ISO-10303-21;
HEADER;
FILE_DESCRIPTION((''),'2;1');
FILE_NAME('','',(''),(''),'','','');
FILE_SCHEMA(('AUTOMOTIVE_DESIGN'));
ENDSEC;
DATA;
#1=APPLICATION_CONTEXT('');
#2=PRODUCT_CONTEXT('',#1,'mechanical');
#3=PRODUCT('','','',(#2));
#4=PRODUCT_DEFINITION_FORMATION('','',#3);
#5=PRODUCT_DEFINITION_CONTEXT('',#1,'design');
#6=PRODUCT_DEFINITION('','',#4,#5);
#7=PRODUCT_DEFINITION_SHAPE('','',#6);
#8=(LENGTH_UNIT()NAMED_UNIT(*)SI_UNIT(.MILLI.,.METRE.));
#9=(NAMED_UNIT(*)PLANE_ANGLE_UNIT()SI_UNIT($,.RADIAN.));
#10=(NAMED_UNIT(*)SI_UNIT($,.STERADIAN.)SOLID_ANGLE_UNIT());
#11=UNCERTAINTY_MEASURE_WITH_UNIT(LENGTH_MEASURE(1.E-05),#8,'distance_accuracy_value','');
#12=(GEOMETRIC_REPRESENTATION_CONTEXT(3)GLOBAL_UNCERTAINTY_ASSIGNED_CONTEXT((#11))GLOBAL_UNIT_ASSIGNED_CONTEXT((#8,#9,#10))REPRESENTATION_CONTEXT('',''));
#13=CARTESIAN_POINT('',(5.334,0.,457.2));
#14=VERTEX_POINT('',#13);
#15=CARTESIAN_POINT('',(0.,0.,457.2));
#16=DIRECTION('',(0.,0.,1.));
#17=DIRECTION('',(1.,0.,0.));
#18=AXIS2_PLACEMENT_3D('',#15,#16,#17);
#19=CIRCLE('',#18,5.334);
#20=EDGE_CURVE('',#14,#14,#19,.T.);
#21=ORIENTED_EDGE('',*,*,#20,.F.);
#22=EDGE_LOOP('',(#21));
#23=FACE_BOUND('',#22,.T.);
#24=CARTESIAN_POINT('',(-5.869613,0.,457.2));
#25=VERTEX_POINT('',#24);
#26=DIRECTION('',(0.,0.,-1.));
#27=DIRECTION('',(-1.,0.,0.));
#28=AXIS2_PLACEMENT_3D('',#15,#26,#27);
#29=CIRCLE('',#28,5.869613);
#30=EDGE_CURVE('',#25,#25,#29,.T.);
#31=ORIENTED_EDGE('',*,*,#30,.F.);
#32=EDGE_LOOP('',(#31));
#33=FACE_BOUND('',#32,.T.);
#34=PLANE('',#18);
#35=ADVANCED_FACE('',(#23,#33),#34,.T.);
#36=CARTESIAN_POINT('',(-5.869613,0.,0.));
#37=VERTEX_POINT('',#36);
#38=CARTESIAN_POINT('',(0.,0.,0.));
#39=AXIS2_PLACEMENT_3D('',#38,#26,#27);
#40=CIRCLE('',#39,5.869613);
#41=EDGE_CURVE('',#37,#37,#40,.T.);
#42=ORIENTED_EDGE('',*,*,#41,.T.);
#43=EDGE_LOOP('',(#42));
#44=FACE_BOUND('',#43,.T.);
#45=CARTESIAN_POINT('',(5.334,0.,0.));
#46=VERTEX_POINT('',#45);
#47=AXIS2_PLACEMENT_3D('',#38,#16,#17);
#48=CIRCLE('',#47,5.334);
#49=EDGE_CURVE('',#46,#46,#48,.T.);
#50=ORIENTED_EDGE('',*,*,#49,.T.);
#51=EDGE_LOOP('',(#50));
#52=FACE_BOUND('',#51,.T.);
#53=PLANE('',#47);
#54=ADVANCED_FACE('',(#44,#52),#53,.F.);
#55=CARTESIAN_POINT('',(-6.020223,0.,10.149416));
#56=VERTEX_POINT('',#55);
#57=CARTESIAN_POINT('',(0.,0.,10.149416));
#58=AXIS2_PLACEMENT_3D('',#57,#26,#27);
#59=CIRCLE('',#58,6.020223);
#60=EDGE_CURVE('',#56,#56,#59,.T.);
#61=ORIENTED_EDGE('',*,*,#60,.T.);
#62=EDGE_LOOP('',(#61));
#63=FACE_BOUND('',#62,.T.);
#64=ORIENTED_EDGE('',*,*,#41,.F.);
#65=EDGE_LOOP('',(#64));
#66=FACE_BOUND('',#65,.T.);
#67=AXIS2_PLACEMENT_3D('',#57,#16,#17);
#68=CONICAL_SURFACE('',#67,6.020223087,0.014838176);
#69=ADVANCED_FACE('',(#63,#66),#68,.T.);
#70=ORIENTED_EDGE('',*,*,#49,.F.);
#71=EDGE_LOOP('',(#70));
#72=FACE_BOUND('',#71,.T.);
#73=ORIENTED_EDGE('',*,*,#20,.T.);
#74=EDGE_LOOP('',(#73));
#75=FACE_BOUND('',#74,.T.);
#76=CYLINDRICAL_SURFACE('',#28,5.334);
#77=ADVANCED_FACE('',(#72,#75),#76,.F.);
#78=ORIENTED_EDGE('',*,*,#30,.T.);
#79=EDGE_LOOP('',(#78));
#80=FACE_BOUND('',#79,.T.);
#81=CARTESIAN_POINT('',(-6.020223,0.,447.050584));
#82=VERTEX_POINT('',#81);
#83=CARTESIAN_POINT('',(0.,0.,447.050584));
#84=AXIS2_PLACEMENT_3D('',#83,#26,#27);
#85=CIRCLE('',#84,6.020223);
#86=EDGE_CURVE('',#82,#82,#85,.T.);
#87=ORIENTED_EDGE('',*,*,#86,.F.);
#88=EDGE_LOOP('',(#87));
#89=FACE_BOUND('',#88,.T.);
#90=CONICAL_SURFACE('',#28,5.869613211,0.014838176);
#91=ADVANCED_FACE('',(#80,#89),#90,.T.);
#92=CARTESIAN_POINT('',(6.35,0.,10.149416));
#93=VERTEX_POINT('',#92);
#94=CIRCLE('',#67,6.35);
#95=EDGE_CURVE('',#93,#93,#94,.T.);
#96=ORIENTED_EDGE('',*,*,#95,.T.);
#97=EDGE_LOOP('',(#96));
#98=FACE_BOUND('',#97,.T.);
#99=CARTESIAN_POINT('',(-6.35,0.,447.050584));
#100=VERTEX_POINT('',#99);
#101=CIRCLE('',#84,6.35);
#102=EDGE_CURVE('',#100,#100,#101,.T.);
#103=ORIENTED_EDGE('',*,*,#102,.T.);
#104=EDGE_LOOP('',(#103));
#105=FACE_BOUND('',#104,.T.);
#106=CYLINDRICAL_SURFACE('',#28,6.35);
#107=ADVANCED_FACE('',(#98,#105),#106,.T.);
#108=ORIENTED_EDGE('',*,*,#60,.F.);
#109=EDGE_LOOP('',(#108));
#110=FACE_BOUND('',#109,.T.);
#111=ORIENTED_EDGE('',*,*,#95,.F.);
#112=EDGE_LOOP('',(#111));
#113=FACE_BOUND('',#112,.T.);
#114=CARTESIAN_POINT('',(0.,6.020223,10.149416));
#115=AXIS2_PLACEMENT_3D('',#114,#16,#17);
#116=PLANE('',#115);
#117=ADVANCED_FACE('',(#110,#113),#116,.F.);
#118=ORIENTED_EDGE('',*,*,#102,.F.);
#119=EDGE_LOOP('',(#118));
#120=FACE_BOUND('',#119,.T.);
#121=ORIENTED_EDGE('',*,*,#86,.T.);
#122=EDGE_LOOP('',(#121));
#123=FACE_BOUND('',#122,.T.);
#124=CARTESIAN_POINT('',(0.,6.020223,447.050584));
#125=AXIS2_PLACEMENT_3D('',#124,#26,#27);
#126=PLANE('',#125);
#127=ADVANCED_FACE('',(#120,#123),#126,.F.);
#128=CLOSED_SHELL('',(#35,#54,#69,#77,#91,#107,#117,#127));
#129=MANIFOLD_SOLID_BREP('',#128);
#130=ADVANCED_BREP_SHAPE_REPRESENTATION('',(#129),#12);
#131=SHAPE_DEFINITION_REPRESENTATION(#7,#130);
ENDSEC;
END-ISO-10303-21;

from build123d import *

# Parameters (mm, degrees)
SKETCH2_R           = 6.35
SKETCH2_R_2         = 5.334
BOSS_EXTRUDE1_DEPTH = 457.2


with BuildPart() as part:
    # Sketch2 → Boss-Extrude1 (new body)
    with BuildSketch(Plane.XY):
        Circle(SKETCH2_R)
        Circle(SKETCH2_R_2, mode=Mode.SUBTRACT)
    extrude(amount=BOSS_EXTRUDE1_DEPTH)

    # Sketch3 → Cut-Revolve3 (revolve, cut)
    with BuildSketch(Plane(origin=(0, 0, 0), x_dir=(0, 0, -1), z_dir=(1, 0, 0)), mode=Mode.PRIVATE) as cut_revolve3_sk:
        Polygon((-457.2, 8.954277603), (-457.2, 5.869613211), (-447.050584192, 6.020223087), (-447.050584192, 8.954277603), align=None)
        Polygon((-10.149415808, 8.954277603), (0, 8.954277603), (0, 5.869613211), (-10.149415808, 6.020223087), align=None)
    revolve(cut_revolve3_sk.sketch.rotate(Axis((0, 0, 0), (0, 0, 1)), 90), axis=Axis((0, 0, 0), (0, 0, 1)), mode=Mode.SUBTRACT)


solid = part.part
